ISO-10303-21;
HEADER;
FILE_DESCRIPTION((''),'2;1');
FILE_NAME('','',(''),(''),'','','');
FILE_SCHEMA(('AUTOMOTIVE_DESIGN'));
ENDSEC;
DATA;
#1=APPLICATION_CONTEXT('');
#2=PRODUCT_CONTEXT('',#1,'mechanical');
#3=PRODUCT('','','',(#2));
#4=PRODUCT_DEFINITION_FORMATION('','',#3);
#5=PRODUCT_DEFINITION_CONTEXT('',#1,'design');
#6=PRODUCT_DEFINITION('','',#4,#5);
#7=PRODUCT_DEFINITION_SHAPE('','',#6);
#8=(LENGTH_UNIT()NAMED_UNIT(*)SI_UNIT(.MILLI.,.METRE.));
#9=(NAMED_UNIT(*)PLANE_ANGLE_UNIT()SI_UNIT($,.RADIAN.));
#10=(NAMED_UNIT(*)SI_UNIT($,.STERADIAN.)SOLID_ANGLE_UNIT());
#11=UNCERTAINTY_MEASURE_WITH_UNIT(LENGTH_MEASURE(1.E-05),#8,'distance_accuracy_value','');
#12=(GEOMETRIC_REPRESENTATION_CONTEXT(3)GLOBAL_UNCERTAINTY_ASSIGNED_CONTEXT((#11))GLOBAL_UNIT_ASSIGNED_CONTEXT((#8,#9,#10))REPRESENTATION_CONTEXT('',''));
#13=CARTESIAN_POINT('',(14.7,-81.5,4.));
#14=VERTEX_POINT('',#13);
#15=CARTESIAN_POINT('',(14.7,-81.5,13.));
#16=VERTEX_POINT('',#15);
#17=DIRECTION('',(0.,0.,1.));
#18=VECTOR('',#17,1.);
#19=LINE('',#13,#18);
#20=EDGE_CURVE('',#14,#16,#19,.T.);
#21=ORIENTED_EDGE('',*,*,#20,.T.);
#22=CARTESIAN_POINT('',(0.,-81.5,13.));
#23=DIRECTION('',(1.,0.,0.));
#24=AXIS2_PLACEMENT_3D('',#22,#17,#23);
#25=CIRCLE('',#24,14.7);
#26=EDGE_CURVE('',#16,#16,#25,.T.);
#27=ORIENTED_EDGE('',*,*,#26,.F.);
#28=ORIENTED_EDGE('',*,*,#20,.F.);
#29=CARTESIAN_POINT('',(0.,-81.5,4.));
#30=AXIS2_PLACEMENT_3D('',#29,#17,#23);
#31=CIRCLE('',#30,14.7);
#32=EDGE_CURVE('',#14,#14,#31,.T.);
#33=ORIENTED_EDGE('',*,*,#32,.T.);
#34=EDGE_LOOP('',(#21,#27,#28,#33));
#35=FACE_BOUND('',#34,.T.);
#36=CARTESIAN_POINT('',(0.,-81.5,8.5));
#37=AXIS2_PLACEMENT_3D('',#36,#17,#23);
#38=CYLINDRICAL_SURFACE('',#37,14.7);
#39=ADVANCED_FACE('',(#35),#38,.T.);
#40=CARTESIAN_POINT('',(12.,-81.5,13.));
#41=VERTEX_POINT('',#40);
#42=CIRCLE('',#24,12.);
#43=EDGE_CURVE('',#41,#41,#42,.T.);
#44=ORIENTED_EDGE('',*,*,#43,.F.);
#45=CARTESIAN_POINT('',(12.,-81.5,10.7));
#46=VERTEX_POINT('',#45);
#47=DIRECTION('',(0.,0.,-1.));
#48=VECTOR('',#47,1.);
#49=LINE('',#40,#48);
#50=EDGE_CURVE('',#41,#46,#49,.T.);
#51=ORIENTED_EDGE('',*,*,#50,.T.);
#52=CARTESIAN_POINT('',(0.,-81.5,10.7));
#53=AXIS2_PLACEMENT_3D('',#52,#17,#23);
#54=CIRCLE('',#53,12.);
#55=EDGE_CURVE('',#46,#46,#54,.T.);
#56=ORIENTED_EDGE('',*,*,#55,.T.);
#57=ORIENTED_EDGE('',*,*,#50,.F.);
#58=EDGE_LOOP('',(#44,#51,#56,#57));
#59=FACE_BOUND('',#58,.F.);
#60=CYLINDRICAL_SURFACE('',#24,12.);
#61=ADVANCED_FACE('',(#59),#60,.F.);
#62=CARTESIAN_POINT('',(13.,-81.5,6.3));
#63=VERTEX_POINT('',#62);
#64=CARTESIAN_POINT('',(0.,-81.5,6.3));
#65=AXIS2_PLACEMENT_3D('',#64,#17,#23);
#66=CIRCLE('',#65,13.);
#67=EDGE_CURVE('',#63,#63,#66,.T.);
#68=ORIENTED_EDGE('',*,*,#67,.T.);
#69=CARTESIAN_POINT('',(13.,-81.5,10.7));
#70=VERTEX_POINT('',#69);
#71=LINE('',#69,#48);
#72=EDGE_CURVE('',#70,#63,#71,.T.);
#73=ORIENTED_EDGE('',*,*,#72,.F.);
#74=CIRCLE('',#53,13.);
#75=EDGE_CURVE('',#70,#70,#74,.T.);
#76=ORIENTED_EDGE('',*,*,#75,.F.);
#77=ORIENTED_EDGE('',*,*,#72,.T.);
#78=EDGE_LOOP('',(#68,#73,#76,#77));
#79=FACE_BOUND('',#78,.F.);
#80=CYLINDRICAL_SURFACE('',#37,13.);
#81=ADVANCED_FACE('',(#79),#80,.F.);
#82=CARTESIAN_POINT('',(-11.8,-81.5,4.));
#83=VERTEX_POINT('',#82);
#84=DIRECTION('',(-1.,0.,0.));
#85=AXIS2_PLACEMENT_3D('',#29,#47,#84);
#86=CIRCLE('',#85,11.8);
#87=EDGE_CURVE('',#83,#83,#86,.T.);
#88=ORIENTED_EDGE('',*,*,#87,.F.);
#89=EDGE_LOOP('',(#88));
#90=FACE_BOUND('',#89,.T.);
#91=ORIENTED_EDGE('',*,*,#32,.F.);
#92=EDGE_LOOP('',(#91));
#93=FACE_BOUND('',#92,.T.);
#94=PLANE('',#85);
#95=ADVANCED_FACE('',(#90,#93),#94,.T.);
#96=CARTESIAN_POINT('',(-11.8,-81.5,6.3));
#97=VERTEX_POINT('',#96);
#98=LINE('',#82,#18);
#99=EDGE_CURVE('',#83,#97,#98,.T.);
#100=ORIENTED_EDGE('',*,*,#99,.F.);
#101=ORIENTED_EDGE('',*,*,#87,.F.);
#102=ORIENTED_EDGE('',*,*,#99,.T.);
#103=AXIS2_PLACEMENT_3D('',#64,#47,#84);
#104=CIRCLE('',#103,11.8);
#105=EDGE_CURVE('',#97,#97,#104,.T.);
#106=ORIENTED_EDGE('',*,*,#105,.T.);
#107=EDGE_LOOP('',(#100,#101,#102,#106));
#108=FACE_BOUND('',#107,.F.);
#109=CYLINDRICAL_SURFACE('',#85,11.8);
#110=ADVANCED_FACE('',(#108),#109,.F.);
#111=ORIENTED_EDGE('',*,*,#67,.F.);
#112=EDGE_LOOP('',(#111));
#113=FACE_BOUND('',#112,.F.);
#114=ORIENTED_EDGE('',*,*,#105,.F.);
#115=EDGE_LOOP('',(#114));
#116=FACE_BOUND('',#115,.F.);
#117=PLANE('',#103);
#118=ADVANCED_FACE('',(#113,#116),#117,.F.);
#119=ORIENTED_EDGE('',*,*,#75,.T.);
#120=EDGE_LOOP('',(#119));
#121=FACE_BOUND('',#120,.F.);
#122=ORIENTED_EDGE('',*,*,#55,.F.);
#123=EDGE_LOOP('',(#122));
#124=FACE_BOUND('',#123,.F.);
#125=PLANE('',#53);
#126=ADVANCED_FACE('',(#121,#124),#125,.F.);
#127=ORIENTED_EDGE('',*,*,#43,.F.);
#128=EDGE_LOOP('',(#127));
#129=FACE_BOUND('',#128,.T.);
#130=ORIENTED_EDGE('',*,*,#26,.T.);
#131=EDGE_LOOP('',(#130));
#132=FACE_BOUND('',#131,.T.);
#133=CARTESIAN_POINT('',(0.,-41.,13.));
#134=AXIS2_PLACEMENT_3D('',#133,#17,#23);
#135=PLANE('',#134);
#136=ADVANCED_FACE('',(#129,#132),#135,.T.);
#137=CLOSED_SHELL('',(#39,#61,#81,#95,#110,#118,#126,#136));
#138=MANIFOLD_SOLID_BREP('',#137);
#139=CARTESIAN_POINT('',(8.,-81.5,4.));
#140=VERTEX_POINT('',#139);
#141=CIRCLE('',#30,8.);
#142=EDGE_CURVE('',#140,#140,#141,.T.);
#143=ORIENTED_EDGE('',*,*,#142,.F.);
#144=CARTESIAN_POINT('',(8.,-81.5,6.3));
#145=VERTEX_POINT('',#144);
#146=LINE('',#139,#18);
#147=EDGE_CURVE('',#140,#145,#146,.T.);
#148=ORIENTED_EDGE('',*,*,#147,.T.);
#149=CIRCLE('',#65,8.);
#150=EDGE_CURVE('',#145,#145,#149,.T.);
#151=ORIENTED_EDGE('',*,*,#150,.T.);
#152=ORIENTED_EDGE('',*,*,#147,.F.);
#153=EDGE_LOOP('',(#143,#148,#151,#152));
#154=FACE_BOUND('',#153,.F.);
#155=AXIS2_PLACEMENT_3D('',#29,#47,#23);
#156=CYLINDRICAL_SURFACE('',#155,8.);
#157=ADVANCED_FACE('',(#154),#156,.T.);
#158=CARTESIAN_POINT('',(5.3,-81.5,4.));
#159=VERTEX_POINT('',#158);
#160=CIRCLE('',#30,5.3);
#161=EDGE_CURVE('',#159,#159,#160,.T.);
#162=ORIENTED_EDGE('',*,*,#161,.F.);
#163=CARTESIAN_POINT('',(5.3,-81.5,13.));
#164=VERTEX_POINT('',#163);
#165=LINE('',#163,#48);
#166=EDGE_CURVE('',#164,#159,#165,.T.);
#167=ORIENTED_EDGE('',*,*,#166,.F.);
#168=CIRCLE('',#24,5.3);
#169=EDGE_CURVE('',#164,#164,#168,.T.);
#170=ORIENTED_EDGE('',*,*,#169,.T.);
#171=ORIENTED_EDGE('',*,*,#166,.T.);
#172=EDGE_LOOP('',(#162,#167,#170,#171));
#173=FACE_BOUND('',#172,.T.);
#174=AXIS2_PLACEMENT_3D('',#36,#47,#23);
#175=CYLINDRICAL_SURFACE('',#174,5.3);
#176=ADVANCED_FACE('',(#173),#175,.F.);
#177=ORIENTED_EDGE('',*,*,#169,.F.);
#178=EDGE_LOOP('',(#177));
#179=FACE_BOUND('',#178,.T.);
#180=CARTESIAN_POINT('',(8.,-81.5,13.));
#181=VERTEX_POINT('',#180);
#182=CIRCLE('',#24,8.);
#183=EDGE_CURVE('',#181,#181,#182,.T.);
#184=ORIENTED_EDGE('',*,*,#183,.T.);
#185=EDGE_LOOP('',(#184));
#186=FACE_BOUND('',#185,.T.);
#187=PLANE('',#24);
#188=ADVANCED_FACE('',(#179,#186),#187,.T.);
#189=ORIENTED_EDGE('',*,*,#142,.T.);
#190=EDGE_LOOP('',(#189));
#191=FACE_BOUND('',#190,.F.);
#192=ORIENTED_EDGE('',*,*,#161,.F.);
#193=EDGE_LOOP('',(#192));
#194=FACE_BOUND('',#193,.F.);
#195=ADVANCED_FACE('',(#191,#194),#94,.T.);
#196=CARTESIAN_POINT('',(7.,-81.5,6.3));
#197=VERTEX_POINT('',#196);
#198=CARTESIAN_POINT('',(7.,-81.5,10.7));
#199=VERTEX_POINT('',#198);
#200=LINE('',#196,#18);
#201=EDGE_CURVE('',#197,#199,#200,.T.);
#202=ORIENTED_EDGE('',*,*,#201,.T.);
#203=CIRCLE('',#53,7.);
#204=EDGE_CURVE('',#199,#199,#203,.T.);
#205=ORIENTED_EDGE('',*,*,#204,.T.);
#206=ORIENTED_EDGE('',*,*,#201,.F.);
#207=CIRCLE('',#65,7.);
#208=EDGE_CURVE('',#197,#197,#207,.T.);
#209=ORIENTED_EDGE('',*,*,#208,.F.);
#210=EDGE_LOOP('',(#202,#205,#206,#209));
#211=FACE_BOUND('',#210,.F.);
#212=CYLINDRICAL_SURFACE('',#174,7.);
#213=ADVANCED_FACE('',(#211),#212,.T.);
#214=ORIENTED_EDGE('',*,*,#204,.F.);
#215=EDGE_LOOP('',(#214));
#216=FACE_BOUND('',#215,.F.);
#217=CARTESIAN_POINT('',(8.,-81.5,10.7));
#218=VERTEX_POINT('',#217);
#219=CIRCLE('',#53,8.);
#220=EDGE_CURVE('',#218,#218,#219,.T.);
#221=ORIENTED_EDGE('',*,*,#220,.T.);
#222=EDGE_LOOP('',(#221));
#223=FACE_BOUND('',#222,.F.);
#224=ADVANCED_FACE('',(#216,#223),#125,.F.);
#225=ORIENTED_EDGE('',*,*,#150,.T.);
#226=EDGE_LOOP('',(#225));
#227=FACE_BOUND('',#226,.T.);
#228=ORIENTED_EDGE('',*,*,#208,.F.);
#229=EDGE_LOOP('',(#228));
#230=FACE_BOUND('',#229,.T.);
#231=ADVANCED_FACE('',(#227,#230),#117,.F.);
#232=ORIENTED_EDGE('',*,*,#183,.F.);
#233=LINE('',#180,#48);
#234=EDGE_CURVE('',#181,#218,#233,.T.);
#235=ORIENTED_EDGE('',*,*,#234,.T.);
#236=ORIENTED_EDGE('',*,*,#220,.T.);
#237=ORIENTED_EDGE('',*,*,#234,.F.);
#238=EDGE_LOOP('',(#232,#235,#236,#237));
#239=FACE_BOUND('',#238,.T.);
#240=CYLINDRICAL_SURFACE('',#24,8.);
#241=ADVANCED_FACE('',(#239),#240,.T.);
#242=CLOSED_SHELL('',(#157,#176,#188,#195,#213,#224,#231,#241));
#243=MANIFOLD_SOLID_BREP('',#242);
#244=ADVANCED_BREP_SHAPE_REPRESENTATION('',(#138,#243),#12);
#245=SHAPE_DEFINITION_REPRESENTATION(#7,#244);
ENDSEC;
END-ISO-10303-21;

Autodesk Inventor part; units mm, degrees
ref_plane "YZ Plane" through (0, 0, 0) normal (1, 0, 0) x (0, 1, 0)
ref_plane "XZ Plane" through (0, 0, 0) normal (0, 1, 0) x (-1, 0, 0)
ref_plane "XY Plane" through (0, 0, 0) normal (0, 0, 1) x (1, 0, 0)
ref_plane "작업 평면1" through (0, -41, 8.5) normal (0, 0, 1) x (1, 0, 0)
sketch "스케치1" plane through (0, -41, 8.5) normal (0, 0, 1) x (1, 0, 0)
  circle A0 centre (0, -40.5) radius 15 projected
  circle A1 centre (0, -40.5) radius 5 projected
  circle A2 centre (0, -40.5) radius 14.7
  circle A3 centre (0, -40.5) radius 5.3
  circle A4 centre (0, -40.5) radius 13
  circle A5 centre (0, -40.5) radius 7
  point P0 (0, 41)
  dimension "d0" = 0.3
  dimension "d1" = 0.3
  dimension "d2" = 1.7
  dimension "d3" = 1.7
extrude "돌출1" add sketch "스케치1" along normal mid plane 9 contours A2 | A5
ref_plane "작업 평면2" through (0, -81.5, 8.5) normal (0, 0, 1) x (1, 0, 0)
sketch "스케치3" plane through (0, -81.5, 13) normal (0, 0, 1) x (1, 0, 0)
  circle A0 centre (0, 0) radius 13 projected
  circle A1 centre (0, 0) radius 12
  circle A2 centre (0, 0) radius 7 projected
  circle A3 centre (0, 0) radius 8
  point P0 (0, 81.5)
  dimension "d11" = 1
  dimension "d12" = 1
extrude "돌출2" add sketch "스케치3" against normal blind 2.3
mirror "미러1" about plane through (0, -81.5, 8.5) normal (0, 0, 1) of "돌출2"
sketch "스케치4" plane through (0, 0, 0) normal (1, 0, 0) x (0, 1, 0)
  line L0 (-76.2, 4) -> (-86.8, 4) projected
  line L1 (-86.8, 13) -> (-76.2, 13) projected
  line L2 (-74.5, 6.3) -> (-88.5, 6.3) construction
  line L3 (-88.5, 10.7) -> (-74.5, 10.7) projected
  line L4 (-86.8, 13) -> (-86.8, 4) projected
  line L5 (-76.2, 13) -> (-76.2, 4) projected
  line L6 (-94.5, 10.7) -> (-94.5, 6.3) projected
  line L7 (-66.8, 4) -> (-66.8, 13) projected
  line L8 (-96.2, 4) -> (-96.2, 13) projected
  line L9 (-68.5, 10.7) -> (-68.5, 6.3) projected
  line L10 (-73.5, 13) -> (-89.5, 13) projected
  line L11 (-73.5, 4) -> (-89.5, 4) projected
  line L12 (-89.5, 6.3) -> (-89.5, 4) projected
  line L13 (-89.5, 13) -> (-89.5, 10.7) projected
  line L14 (-68.5, 10.7) -> (-94.5, 10.7) projected
  line L15 (-94.5, 6.3) -> (-68.5, 6.3) projected
  line L16 (-94.5, 10.7) -> (-94.5, 6.3) projected
  line L17 (-89.5, 10.7) -> (-73.5, 10.7) projected
  line L18 (-89.5, 6.3) -> (-73.5, 6.3) projected
  point P0 (0, 0)
  point P1 (-90.4, 10)
  point P2 (-72.6, 10)
  point P3 (-90.4, 7)
  point P4 (-72.6, 7)
  point P5 (-72.6, 9.7)
  point P6 (-90.4, 9.7)
  point P7 (-90.4, 7.3)
  point P8 (-72.6, 7.3)
  point P9 (-89.8, 10)
  point P10 (-73.2, 10)
  point P11 (-89.8, 7)
  point P12 (-73.2, 7)
  dimension "d15" = 5
sketch "스케치5" plane through (0, -81.5, 4) normal (0, 0, -1) x (-1, 0, 0)
  circle A0 centre (0, 0) radius 12 projected
  circle A1 centre (0, 0) radius 11.8
  point P0 (0, 81.5)
  dimension "d16" = 0.2
extrude "돌출3" add sketch "스케치5" against normal blind 2.3
properties part number "SAFRS-P-0033"
